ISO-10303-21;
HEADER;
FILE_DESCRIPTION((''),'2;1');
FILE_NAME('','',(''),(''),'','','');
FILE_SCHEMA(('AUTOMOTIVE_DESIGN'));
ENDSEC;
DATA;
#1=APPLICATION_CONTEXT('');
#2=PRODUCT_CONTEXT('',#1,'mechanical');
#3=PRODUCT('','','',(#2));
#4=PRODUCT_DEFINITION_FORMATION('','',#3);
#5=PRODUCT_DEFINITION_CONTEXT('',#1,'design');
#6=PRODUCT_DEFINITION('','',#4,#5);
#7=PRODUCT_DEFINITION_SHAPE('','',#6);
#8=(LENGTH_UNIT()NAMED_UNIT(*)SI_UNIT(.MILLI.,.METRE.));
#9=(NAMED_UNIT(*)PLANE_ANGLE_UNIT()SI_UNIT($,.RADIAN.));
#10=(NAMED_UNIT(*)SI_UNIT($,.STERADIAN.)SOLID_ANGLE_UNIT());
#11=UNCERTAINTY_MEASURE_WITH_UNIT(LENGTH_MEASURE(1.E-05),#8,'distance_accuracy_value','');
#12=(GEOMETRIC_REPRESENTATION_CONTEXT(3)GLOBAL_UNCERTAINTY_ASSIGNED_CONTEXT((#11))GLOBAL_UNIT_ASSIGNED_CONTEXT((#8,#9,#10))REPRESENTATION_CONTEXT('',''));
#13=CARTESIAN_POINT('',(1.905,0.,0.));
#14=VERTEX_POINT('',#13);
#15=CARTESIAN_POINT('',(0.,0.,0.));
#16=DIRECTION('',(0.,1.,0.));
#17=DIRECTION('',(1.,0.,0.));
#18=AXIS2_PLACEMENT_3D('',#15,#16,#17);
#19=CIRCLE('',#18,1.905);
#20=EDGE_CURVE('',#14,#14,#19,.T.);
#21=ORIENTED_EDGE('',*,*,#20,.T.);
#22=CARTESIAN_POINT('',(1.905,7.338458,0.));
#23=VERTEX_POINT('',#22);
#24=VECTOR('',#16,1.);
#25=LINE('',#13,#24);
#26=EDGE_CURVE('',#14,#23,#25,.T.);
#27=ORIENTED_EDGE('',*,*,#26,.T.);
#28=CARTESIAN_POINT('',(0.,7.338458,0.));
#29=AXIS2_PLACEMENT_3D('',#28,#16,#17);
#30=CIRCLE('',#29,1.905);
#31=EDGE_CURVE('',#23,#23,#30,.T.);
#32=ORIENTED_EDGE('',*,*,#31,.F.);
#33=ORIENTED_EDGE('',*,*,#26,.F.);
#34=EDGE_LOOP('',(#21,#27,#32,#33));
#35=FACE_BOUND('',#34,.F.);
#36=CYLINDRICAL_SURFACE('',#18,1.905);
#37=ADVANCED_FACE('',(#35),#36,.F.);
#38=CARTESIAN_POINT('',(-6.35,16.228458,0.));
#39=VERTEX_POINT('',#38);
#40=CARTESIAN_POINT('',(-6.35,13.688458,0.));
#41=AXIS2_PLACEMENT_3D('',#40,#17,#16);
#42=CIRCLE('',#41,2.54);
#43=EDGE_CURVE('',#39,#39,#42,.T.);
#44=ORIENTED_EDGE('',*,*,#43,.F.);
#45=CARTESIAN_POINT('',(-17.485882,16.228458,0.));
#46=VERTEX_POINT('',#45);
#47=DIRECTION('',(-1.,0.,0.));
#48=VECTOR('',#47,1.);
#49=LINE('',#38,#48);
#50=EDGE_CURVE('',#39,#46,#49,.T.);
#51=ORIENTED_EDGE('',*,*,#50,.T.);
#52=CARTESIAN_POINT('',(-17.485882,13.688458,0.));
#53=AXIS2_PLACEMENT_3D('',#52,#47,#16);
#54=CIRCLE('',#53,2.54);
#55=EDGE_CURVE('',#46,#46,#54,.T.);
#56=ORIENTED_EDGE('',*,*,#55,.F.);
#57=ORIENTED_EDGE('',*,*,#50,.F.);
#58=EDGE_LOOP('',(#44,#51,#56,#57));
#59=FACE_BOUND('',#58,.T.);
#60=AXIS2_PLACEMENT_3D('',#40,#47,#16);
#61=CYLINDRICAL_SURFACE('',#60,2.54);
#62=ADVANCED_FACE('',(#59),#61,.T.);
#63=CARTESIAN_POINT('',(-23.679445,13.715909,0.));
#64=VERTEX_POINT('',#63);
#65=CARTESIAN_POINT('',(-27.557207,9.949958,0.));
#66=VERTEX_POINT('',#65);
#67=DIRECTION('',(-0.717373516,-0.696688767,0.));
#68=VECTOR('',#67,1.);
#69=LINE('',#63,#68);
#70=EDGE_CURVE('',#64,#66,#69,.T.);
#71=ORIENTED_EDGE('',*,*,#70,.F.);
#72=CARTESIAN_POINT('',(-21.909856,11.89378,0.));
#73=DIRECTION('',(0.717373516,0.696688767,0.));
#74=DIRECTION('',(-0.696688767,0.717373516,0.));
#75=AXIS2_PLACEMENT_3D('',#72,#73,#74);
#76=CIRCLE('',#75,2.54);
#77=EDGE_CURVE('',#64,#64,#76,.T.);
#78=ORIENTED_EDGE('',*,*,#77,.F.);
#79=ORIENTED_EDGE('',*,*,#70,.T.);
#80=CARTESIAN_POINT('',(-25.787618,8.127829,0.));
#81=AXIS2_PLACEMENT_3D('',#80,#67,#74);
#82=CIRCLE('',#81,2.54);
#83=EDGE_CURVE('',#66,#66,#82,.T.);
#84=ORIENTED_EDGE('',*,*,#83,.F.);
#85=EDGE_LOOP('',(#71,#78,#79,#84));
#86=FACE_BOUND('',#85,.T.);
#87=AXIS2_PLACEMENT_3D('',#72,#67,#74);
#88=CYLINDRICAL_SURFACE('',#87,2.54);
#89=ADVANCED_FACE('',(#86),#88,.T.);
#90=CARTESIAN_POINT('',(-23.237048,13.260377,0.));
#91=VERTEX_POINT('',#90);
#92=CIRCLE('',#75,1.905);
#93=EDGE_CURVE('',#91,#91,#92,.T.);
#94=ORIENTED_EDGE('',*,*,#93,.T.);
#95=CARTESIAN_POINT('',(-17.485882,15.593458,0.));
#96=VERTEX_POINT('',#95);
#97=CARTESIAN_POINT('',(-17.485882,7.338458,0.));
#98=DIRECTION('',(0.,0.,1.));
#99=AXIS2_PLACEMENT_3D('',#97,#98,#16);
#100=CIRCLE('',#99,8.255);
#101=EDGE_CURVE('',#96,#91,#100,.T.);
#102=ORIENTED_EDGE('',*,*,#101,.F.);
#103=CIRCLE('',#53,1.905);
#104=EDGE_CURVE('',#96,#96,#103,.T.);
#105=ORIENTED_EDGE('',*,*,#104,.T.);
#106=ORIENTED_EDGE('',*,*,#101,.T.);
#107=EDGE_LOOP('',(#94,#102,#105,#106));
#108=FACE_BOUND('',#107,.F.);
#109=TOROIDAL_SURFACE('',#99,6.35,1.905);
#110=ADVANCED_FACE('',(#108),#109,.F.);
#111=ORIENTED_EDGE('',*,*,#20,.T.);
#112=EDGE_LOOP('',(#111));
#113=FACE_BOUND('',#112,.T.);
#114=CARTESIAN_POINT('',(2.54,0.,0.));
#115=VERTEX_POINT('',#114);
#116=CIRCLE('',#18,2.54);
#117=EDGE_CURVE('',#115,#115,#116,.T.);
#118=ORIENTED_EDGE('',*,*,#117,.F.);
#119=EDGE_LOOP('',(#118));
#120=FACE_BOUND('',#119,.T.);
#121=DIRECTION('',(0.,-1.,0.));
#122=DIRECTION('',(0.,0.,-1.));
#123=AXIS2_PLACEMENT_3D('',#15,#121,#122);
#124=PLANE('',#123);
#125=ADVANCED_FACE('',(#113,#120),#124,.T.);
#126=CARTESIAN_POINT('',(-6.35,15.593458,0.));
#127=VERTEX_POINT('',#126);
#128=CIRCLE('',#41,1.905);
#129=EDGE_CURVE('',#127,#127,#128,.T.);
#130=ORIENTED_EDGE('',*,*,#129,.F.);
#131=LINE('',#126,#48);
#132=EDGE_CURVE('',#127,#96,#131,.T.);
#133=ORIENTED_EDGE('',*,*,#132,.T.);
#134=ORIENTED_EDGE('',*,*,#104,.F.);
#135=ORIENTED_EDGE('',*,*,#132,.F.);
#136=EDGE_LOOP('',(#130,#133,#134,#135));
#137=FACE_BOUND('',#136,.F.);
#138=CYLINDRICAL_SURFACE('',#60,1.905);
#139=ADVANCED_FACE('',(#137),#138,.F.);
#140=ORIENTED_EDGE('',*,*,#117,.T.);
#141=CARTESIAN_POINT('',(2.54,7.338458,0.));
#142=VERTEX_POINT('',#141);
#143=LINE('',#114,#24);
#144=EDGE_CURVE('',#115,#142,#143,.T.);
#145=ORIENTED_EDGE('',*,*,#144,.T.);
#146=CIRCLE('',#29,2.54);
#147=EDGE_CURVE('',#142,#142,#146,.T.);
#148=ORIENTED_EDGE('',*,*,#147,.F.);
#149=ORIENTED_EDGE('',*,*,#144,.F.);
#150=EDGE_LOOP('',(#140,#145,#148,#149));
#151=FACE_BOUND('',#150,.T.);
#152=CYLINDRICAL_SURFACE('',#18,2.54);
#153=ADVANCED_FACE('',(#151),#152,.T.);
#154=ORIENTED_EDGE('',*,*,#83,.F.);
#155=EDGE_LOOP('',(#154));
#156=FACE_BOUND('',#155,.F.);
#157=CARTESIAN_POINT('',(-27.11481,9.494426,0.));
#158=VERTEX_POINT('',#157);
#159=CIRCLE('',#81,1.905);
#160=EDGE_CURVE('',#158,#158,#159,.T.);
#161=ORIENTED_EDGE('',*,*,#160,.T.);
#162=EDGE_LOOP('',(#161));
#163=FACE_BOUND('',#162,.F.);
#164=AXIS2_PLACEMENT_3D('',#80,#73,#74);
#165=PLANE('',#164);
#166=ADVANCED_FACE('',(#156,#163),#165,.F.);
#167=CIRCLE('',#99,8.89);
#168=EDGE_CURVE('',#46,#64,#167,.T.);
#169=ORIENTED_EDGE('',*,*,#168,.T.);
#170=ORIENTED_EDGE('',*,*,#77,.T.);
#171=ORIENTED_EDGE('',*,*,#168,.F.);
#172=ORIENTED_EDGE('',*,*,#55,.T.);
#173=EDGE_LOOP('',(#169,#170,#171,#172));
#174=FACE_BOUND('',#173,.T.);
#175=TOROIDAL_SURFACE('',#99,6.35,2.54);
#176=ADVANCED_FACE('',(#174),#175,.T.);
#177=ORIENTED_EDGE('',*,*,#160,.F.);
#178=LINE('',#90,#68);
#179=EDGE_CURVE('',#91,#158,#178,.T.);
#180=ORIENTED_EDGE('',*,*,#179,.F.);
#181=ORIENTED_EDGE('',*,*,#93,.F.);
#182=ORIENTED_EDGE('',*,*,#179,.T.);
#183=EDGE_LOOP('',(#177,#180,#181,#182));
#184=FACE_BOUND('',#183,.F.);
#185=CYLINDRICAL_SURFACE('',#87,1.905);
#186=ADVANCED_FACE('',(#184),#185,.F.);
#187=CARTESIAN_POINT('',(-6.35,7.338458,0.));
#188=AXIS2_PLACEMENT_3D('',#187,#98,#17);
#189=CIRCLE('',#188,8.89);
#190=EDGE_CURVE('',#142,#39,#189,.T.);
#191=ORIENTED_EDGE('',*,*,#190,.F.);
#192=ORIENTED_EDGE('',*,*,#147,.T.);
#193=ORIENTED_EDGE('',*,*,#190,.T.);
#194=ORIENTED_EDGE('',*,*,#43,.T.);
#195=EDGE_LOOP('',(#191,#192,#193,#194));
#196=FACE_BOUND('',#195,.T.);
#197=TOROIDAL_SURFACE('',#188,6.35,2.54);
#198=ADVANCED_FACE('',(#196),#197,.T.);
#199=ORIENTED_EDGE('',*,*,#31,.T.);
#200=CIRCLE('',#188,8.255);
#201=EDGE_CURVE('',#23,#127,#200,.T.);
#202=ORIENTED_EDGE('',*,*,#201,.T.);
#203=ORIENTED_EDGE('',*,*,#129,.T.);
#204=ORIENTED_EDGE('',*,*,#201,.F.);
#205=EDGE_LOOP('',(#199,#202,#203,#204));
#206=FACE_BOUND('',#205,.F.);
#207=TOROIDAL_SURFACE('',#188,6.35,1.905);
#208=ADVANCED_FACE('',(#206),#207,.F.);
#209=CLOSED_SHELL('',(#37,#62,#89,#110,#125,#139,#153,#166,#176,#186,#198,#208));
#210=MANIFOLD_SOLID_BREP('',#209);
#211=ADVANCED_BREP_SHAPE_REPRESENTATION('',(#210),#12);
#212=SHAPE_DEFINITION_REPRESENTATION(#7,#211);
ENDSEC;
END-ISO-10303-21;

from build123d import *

# Parameters (mm, degrees)
F0_R   = 2.54
F0_R_2 = 1.905


with BuildPart() as f2:
    # F2: sweep along a path in F1
    with BuildLine(Plane.XY) as f2_path:
        Line((0, 0), (0, 7.3384581298))
        ThreePointArc((0, 7.3384581298), (-1.8598719395, 11.8285861903), (-6.35, 13.6884581298))
        Line((-6.35, 13.6884581298), (-12.5316856429, 13.6884581298))
        Line((-12.5316856429, 13.6884581298), (-17.4858820379, 13.6884581298))
        ThreePointArc((-17.4858820379, 13.6884581298), (-19.8729520403, 13.2227080228), (-21.9098557091, 11.8937799577))
        Line((-21.9098557091, 11.8937799577), (-25.7876180112, 8.12782906))
    # F0 (on Front) → F2 (sweep)
    with BuildSketch(Plane.XZ):
        Circle(F0_R)
        Circle(F0_R_2, mode=Mode.SUBTRACT)
    sweep(path=f2_path.line)


solid = f2.part
